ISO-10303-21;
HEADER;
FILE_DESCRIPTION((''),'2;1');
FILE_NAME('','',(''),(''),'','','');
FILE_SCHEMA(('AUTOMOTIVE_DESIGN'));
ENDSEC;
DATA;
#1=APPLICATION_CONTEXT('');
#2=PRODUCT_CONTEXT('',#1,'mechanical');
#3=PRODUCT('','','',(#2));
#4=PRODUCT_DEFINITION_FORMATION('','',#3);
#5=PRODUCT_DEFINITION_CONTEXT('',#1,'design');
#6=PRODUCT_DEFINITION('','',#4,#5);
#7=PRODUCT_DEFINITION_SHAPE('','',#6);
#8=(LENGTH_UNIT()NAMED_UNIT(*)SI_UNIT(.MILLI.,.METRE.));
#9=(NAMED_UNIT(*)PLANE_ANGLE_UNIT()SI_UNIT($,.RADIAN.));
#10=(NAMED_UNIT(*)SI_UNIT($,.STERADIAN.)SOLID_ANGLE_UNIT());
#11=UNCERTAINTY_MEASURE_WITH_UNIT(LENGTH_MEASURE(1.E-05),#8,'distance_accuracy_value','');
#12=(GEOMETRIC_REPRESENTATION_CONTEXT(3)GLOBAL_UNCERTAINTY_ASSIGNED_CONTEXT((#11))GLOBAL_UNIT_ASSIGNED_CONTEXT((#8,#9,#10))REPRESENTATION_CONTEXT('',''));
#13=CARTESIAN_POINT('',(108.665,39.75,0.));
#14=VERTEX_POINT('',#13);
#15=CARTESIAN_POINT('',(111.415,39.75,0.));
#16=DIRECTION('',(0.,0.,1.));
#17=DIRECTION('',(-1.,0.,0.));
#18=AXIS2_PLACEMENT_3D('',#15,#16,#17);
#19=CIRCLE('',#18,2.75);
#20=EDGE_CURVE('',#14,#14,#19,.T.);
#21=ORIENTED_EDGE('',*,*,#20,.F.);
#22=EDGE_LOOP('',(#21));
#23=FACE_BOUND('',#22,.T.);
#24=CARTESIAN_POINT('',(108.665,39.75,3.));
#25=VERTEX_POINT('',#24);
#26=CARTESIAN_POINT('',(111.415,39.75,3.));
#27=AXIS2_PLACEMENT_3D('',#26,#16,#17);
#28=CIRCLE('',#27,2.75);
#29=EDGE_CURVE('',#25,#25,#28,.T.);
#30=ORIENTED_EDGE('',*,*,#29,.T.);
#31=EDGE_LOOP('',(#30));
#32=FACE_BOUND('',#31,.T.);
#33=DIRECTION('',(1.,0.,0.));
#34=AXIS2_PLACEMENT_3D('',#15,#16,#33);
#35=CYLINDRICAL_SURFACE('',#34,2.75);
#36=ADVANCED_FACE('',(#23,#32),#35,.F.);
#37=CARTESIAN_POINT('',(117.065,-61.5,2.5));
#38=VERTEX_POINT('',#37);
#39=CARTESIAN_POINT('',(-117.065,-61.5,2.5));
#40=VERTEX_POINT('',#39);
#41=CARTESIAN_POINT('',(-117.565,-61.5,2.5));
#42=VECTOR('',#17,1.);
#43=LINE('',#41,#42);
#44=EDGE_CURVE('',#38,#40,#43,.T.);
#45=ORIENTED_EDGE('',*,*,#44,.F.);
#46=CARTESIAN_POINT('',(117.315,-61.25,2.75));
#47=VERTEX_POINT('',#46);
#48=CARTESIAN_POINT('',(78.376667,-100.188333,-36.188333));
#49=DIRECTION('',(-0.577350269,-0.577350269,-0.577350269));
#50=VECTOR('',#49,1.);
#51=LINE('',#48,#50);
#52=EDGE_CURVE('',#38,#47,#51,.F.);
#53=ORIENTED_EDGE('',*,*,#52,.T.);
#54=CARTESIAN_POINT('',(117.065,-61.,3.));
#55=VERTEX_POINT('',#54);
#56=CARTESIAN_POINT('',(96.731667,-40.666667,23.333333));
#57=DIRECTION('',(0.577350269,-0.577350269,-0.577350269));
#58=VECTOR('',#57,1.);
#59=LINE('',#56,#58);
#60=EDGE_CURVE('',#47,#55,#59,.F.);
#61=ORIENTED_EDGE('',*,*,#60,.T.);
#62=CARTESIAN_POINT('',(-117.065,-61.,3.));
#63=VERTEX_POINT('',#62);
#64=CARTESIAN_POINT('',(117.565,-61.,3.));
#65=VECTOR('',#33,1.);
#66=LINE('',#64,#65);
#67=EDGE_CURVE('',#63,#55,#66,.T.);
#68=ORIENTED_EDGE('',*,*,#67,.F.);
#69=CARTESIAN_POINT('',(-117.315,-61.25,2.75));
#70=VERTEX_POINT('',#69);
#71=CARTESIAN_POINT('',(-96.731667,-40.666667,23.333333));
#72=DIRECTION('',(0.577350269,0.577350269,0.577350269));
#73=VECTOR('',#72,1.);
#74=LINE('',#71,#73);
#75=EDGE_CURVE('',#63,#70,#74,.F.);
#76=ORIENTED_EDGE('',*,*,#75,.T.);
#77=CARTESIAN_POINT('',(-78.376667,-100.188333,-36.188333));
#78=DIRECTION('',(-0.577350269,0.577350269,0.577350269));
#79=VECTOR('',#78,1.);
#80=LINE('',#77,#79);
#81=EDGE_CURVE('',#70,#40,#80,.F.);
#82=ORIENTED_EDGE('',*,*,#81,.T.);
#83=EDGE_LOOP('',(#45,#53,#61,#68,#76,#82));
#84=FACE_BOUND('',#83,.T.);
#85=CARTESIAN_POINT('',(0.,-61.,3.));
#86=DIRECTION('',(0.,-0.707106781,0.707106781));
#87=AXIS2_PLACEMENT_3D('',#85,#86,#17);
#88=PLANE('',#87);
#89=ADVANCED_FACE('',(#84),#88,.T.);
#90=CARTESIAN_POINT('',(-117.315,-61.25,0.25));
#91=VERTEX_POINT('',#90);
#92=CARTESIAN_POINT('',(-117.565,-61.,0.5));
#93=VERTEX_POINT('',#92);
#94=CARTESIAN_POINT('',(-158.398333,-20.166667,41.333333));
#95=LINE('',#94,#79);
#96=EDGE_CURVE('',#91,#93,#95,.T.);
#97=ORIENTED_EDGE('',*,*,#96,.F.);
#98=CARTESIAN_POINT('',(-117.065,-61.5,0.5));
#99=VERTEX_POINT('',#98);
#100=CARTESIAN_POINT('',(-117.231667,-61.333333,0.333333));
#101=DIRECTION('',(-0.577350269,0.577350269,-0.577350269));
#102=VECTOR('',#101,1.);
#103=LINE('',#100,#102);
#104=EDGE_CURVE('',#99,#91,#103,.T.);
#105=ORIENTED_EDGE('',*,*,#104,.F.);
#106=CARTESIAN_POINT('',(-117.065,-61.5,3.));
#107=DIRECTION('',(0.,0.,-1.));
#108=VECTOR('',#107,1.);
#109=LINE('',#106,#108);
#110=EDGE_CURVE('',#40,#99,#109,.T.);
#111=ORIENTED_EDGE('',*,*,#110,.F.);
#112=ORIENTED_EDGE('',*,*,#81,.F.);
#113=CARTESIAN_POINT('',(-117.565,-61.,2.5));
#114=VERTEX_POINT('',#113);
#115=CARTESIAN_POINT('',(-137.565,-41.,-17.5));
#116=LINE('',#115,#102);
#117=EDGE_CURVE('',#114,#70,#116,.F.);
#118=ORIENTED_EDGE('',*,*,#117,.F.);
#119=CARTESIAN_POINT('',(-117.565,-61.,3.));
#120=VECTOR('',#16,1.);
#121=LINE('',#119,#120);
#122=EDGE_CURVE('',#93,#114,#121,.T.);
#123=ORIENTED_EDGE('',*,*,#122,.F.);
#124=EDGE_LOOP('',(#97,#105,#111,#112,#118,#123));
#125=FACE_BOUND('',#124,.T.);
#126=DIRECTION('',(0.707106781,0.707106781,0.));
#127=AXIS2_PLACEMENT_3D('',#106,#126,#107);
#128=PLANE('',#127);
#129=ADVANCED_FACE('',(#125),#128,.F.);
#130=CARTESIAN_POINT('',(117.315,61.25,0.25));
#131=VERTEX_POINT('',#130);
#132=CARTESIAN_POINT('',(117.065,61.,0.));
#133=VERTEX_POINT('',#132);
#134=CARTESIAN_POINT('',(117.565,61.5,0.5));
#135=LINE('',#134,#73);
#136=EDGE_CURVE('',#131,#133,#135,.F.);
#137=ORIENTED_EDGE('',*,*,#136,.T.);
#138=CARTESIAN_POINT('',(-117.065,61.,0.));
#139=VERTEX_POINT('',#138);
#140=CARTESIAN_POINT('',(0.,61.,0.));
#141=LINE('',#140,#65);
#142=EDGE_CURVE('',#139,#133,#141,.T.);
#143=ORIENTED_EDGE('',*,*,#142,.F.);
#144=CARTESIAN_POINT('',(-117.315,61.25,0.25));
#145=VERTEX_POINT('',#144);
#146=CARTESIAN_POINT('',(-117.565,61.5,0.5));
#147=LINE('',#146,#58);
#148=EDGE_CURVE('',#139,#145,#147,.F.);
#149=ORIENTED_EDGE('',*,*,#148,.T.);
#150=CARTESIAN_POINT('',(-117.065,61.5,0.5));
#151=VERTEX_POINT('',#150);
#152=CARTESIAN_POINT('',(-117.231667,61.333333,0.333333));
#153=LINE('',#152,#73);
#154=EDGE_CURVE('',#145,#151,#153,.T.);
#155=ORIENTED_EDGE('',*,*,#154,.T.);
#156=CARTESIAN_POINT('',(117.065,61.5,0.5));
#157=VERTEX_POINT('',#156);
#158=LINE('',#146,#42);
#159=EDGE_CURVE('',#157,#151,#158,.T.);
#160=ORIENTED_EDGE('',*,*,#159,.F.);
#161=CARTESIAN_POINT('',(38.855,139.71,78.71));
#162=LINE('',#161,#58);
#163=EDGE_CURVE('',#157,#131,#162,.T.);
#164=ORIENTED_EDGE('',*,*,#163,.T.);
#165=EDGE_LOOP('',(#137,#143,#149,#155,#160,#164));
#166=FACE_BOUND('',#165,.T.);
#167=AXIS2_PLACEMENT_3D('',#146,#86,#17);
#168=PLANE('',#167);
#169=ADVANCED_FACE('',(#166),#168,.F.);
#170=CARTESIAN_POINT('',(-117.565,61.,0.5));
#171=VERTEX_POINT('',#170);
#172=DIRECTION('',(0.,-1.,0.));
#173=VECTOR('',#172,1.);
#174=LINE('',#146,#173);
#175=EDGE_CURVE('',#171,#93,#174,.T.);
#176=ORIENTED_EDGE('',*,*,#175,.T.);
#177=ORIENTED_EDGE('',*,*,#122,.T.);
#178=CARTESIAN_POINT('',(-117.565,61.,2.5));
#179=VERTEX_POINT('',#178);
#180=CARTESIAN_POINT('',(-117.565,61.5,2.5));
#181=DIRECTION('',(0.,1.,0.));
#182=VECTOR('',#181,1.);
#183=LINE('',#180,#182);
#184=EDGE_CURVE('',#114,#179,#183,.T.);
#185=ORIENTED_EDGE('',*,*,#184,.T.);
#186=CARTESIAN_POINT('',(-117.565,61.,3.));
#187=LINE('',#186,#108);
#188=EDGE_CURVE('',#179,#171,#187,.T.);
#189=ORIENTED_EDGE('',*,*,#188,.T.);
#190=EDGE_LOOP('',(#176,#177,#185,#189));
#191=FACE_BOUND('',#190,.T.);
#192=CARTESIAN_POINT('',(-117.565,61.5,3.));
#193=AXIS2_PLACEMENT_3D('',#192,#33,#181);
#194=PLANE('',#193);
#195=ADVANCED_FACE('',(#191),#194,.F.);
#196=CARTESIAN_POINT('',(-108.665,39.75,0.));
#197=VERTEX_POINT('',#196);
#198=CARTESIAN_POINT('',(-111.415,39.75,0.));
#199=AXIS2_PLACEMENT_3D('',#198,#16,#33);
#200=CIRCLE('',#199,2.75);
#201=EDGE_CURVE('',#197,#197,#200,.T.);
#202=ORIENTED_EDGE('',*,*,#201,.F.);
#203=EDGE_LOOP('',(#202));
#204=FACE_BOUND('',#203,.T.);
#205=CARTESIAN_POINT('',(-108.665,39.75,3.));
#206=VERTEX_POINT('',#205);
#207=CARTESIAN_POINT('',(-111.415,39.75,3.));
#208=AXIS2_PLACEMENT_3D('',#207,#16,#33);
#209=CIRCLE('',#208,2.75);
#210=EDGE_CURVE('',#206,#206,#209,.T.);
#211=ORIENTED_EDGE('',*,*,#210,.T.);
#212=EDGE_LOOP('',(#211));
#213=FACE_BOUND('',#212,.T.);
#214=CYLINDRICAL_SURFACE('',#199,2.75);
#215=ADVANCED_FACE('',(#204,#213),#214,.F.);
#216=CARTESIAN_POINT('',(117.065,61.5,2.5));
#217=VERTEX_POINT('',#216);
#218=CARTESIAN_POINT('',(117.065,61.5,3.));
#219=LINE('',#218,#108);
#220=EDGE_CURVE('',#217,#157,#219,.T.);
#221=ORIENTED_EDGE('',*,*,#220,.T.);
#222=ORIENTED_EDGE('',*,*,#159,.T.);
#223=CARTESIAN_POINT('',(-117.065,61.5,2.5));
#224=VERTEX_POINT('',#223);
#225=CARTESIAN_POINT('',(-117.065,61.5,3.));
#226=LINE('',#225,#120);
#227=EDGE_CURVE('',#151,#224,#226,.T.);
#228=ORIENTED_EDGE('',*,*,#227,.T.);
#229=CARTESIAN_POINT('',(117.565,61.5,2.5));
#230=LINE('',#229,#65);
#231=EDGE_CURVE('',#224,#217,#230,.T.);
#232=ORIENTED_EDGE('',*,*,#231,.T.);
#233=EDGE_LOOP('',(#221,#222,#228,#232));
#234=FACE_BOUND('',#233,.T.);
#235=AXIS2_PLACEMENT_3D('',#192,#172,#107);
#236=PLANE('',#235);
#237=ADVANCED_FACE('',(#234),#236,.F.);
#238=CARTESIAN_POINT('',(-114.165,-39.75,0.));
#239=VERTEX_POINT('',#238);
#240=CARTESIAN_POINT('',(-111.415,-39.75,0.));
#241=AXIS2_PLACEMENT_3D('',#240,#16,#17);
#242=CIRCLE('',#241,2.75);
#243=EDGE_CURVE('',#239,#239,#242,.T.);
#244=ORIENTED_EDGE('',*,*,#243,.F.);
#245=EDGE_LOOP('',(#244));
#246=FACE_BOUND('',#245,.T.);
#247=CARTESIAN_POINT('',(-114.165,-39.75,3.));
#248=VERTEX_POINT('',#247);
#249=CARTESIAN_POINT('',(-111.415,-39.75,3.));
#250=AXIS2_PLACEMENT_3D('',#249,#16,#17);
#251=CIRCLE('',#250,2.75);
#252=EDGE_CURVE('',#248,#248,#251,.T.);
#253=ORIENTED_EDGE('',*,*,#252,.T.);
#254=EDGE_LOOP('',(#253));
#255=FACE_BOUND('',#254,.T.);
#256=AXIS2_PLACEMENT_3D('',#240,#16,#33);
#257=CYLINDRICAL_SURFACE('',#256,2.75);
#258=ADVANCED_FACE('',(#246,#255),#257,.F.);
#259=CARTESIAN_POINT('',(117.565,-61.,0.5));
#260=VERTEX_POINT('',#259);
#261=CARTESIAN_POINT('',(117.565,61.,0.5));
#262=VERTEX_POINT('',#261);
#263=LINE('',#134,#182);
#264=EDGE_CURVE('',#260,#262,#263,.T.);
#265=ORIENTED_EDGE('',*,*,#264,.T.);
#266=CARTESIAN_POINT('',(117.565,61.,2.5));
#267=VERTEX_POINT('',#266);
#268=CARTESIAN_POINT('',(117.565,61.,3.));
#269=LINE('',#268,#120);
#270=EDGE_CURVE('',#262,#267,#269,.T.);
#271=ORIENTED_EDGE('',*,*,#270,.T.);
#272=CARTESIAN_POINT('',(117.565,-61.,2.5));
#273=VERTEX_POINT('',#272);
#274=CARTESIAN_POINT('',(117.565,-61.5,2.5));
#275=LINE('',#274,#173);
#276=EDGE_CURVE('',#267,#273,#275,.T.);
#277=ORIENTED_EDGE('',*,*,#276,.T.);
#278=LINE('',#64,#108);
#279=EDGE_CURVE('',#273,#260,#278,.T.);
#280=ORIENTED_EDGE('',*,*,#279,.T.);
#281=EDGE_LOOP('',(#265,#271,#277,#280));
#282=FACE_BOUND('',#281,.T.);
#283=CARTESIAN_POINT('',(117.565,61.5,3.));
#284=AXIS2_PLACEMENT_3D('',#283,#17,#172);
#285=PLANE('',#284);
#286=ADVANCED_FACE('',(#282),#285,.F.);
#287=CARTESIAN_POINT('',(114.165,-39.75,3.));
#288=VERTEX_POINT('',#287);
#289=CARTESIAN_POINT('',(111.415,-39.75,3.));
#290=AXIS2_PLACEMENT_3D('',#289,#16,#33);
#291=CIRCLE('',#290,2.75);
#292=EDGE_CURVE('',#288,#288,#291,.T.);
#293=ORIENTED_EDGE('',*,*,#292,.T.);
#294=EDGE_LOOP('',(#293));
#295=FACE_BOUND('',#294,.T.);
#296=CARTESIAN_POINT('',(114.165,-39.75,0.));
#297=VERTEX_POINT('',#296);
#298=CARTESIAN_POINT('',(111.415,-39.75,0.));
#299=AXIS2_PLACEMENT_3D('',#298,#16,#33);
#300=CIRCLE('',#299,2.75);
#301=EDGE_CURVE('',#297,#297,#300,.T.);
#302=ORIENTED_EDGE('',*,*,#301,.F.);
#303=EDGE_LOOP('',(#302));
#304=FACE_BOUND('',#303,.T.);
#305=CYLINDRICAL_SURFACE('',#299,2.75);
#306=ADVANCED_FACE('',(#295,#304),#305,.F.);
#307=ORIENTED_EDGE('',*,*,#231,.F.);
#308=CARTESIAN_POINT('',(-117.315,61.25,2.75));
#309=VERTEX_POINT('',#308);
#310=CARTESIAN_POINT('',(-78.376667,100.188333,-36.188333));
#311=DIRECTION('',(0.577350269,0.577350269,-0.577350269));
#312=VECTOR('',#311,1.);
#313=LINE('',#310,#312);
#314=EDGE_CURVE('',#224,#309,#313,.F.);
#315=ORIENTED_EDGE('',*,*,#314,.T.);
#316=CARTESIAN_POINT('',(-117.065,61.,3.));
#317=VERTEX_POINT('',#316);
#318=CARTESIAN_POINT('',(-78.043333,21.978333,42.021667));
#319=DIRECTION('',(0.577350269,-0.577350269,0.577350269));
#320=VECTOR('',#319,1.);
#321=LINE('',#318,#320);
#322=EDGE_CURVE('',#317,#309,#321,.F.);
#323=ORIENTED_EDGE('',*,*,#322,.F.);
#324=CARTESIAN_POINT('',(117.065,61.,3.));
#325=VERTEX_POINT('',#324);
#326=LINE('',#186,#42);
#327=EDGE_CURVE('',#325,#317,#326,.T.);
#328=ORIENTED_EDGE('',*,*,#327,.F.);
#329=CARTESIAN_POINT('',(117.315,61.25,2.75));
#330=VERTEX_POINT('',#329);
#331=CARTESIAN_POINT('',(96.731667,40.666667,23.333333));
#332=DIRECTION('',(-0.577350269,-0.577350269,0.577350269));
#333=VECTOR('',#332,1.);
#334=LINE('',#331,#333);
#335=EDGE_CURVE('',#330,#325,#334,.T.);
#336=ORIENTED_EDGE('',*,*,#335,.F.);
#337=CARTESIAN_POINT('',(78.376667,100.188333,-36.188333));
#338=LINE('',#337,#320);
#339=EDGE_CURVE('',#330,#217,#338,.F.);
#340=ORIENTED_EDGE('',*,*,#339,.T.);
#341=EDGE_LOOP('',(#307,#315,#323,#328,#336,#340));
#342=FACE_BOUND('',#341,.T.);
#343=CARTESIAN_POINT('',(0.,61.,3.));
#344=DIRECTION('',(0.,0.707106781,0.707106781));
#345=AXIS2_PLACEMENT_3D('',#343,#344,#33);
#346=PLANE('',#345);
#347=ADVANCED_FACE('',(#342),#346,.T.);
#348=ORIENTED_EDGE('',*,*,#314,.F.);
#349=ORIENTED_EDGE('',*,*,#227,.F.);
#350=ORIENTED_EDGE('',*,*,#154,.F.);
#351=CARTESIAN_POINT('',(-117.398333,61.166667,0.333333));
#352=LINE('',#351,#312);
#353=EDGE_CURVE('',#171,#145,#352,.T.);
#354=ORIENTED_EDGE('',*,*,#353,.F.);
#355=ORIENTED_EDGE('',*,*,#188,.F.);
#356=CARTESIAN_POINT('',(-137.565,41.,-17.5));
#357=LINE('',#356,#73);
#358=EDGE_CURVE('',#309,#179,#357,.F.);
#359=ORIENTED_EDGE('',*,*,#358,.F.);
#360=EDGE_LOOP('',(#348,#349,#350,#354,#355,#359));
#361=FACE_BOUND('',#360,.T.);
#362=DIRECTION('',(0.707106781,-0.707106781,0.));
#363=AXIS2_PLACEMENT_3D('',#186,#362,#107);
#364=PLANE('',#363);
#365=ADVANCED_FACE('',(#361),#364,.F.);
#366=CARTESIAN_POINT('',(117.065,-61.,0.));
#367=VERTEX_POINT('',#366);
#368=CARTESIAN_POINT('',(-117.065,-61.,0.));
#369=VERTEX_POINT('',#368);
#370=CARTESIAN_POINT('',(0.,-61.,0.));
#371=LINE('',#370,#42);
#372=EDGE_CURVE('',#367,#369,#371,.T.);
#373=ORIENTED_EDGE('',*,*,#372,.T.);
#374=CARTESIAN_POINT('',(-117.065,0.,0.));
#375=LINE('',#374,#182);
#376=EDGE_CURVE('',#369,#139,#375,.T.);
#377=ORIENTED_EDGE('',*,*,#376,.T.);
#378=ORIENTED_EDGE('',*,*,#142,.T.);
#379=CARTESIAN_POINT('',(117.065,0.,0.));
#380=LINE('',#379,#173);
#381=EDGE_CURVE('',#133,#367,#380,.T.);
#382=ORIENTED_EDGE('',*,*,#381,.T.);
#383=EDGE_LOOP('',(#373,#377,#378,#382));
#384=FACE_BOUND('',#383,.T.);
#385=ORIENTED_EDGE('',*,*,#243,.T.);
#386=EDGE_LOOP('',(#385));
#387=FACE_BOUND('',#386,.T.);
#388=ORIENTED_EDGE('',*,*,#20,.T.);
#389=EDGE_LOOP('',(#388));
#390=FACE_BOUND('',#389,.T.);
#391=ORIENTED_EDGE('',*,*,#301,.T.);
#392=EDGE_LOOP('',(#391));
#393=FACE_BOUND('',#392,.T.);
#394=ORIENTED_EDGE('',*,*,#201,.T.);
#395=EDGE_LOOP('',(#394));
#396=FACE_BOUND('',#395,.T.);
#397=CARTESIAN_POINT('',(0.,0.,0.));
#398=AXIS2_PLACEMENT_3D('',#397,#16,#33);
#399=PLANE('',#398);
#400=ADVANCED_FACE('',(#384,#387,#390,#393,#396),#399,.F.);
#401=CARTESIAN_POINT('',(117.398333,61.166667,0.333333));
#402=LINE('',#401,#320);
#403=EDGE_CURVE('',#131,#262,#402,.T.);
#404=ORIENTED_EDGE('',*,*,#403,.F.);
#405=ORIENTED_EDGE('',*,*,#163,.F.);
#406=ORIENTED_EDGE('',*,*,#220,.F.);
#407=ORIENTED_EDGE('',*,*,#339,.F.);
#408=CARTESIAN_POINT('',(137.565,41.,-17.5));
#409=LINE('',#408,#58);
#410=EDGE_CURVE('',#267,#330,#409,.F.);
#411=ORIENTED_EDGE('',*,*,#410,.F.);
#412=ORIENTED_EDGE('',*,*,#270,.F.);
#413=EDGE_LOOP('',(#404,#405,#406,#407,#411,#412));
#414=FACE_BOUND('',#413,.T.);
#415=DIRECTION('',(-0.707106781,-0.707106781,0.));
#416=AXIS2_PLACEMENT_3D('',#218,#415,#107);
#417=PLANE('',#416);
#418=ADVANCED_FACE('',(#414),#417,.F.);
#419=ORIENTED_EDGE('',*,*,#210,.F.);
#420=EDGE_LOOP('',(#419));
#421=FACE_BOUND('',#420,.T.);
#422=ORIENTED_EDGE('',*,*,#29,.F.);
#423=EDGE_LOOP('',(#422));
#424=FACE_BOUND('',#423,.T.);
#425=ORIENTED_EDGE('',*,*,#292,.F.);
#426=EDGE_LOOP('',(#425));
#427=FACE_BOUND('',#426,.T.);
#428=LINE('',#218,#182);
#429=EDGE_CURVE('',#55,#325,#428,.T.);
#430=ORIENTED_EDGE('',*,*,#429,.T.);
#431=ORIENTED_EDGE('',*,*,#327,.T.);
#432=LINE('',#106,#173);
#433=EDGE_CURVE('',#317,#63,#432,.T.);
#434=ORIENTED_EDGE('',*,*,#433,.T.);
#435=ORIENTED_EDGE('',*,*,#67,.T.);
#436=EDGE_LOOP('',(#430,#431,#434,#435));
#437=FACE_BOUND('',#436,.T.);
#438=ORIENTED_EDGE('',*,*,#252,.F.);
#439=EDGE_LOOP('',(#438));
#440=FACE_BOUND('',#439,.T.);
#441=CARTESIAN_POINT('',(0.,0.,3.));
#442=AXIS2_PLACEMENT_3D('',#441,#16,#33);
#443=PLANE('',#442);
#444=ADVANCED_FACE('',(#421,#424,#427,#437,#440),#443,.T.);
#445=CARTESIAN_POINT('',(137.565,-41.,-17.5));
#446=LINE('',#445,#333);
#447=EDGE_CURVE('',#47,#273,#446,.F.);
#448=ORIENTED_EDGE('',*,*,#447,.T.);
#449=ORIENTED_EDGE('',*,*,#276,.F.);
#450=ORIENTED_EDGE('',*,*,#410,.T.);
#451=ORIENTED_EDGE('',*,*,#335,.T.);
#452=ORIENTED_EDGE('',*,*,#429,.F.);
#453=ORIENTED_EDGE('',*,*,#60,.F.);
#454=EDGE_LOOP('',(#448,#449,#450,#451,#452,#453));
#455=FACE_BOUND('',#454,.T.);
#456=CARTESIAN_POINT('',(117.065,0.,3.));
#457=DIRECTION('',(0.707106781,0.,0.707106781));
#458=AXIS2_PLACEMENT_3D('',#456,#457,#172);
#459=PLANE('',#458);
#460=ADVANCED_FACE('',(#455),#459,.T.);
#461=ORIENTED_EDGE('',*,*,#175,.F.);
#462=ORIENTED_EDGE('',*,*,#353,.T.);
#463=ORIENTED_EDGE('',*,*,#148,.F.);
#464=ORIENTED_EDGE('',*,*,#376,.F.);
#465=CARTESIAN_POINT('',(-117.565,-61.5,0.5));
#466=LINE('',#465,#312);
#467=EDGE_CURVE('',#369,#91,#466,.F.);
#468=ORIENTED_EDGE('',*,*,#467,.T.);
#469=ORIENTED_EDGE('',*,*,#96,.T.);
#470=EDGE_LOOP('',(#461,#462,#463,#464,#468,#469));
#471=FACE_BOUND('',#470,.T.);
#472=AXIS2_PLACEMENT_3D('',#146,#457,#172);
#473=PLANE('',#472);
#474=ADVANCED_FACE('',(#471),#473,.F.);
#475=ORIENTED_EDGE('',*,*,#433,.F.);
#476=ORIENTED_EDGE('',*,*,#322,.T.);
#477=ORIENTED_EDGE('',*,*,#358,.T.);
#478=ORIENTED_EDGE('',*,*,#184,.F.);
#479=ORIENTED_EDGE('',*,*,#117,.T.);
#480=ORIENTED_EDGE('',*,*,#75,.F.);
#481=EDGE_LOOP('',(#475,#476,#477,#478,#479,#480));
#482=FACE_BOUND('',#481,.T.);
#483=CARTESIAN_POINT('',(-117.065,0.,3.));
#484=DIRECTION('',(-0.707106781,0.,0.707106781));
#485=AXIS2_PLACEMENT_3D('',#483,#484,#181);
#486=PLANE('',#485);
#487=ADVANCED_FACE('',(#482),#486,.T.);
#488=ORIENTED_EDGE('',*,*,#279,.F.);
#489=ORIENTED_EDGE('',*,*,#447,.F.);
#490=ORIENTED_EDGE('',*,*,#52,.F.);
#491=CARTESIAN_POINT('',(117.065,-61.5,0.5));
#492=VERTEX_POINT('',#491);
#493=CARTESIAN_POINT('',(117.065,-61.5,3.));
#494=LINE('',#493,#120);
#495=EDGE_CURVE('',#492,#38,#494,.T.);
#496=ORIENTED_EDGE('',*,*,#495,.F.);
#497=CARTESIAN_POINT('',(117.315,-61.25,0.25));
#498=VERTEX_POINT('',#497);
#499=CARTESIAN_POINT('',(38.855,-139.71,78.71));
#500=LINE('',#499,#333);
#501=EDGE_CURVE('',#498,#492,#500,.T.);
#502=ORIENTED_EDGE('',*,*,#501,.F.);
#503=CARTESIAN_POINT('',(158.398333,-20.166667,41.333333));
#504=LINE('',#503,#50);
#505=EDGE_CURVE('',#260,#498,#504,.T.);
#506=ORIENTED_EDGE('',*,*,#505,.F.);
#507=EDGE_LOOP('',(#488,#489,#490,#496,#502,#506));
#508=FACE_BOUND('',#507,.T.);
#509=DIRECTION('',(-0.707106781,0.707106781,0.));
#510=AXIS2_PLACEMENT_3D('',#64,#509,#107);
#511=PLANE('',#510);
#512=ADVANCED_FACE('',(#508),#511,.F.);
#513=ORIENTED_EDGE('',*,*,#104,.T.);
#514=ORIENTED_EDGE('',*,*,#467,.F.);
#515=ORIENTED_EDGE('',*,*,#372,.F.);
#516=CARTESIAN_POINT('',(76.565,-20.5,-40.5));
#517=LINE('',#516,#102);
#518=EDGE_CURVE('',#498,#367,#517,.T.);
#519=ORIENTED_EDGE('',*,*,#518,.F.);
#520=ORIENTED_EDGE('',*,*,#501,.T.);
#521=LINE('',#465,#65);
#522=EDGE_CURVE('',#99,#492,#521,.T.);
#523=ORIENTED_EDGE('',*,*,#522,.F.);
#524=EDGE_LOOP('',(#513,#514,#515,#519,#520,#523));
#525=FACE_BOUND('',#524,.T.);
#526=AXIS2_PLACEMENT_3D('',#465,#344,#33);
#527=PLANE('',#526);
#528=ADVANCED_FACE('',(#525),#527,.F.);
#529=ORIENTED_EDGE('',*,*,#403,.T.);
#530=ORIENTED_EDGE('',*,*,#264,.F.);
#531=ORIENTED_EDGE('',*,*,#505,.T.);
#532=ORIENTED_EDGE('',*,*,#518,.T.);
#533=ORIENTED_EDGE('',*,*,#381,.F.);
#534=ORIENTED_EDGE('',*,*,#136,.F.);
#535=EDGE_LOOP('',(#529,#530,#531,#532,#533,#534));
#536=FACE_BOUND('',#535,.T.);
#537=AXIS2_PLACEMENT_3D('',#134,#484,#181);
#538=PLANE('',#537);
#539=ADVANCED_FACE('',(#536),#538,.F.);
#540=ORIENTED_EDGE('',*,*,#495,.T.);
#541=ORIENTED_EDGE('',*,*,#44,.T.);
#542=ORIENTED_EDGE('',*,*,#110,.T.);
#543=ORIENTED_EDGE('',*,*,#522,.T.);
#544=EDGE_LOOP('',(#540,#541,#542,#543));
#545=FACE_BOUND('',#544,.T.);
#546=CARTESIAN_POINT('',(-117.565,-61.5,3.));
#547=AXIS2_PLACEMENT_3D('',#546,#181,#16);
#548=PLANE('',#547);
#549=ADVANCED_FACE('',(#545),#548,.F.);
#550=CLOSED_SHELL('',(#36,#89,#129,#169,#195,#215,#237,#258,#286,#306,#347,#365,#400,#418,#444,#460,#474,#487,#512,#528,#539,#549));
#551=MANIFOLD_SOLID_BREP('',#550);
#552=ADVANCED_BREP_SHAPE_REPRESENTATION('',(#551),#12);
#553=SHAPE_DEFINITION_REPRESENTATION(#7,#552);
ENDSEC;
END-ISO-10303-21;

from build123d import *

# Parameters (mm, degrees)
SKETCH1_W           = 235.13
SKETCH1_H           = 123
BOSS_EXTRUDE1_DEPTH = 3
SKETCH2_R           = 2.75
CUT_EXTRUDE1_DEPTH  = 133.713146391
CHAMFER1_SIZE       = 0.5
CHAMFER2_SIZE       = 0.5


with BuildPart() as part:
    # Sketch1 → Boss-Extrude1 (new body)
    with BuildSketch(Plane.XY):
        Rectangle(SKETCH1_W, SKETCH1_H)
    extrude(amount=BOSS_EXTRUDE1_DEPTH)

    # Sketch2 → Cut-Extrude1 (cut, through all)
    with BuildSketch(Plane.XY.offset(3)):
        with Locations((-111.415, 39.75)):
            Circle(SKETCH2_R)
        with Locations(Location((-111.415, -39.75, 0), (0, 0, 180))):
            Circle(SKETCH2_R)
        with Locations((111.415, -39.75)):
            Circle(SKETCH2_R)
        with Locations(Location((111.415, 39.75, 0), (0, 0, 180))):
            Circle(SKETCH2_R)
    extrude(amount=-CUT_EXTRUDE1_DEPTH, mode=Mode.SUBTRACT)

    # Chamfer1
    chamfer1_edges = [part.edges().sort_by_distance(p)[0] for p in [
        (-117.565, 0, 3),
        (0, -61.5, 3),
        (117.565, 0, 3),
        (0, -61.5, 0),
        (-117.565, 0, 0),
        (0, 61.5, 0),
        (117.565, 0, 0),
        (0, 61.5, 3),
    ]]
    chamfer(chamfer1_edges, length=CHAMFER1_SIZE)

    # Chamfer2
    chamfer2_edges = [part.edges().sort_by_distance(p)[0] for p in [
        (117.565, -61.5, 1.5),
        (-117.565, -61.5, 1.5),
        (-117.565, 61.5, 1.5),
        (117.565, 61.5, 1.5),
    ]]
    chamfer(chamfer2_edges, length=CHAMFER2_SIZE)


solid = part.part
